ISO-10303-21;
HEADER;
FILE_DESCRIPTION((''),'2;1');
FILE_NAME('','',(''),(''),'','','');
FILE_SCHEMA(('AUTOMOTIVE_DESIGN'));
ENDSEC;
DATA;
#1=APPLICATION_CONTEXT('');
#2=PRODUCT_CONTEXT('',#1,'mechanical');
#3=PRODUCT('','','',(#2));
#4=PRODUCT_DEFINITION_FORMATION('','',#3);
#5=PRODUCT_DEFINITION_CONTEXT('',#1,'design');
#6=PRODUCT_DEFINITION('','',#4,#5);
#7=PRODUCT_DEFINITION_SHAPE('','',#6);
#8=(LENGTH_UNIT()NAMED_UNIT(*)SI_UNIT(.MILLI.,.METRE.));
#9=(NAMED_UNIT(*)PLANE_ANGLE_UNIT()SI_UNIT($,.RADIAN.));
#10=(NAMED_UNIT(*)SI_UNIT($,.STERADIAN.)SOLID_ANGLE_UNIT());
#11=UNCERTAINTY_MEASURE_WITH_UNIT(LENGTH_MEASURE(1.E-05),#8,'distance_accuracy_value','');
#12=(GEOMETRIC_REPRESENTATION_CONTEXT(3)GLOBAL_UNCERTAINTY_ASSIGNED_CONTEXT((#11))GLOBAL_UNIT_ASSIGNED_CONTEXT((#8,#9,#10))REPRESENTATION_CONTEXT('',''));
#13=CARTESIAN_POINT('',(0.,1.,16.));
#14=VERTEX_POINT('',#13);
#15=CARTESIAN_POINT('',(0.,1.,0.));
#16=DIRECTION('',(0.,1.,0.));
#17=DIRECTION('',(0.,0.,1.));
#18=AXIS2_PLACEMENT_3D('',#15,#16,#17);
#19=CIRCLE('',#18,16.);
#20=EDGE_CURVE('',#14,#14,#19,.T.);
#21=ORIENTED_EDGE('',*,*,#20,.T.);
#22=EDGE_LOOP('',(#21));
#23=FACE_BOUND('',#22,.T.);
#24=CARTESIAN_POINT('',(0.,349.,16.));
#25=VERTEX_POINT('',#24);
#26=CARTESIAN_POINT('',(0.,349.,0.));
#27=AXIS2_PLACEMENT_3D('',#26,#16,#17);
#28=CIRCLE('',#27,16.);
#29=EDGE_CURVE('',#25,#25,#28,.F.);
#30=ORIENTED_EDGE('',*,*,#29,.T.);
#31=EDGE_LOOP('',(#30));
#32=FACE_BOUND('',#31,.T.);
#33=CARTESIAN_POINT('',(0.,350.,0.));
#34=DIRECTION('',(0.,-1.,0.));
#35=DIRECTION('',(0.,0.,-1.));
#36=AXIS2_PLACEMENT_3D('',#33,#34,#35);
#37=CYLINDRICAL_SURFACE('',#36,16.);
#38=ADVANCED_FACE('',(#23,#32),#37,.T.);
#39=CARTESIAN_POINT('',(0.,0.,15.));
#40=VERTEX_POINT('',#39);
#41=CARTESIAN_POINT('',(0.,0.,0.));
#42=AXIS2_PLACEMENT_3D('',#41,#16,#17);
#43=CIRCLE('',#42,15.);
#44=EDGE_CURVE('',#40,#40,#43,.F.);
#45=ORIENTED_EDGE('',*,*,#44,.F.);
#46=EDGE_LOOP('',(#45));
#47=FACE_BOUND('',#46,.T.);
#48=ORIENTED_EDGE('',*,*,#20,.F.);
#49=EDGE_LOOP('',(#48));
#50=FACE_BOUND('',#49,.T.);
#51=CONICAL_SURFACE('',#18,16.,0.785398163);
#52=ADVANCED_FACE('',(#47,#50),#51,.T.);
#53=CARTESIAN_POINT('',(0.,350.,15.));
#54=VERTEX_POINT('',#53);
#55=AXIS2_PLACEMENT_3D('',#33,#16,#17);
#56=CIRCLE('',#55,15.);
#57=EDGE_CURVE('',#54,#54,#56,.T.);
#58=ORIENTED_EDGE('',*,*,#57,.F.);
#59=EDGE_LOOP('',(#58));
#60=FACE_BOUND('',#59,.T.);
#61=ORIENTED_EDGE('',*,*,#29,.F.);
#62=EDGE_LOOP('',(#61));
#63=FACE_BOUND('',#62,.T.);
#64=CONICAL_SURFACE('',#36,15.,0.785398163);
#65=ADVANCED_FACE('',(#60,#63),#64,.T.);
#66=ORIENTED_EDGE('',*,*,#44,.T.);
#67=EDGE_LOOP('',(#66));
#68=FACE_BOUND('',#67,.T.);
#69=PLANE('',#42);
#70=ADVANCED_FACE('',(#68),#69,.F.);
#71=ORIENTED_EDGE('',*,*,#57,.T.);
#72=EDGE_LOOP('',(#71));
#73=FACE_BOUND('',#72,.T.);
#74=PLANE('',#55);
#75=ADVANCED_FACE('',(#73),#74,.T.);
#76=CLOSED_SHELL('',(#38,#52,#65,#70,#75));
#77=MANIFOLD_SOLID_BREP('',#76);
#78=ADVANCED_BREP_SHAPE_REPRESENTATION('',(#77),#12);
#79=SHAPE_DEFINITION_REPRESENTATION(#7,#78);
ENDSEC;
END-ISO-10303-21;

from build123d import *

# Parameters (mm, degrees)
SKETCH_1_R      = 16
EXTRUDE_1_DEPTH = 350
CHAMFER_1_SIZE  = 1


with BuildPart() as part:
    # 草图1 → 凸台-拉伸1 (new body)
    with BuildSketch(Plane(origin=(0, 0, 0), x_dir=(1, 0, 0), z_dir=(0, 1, 0))):
        with Locations(Location((0, 0, 0), (0, 0, 270))):
            Circle(SKETCH_1_R)
    extrude(amount=EXTRUDE_1_DEPTH)

    # 倒角1
    chamfer_1_edges = [part.edges().sort_by_distance(p)[0] for p in [
        (0, 0, -16),
        (0, 350, -16),
    ]]
    chamfer(chamfer_1_edges, length=CHAMFER_1_SIZE)


solid = part.part
